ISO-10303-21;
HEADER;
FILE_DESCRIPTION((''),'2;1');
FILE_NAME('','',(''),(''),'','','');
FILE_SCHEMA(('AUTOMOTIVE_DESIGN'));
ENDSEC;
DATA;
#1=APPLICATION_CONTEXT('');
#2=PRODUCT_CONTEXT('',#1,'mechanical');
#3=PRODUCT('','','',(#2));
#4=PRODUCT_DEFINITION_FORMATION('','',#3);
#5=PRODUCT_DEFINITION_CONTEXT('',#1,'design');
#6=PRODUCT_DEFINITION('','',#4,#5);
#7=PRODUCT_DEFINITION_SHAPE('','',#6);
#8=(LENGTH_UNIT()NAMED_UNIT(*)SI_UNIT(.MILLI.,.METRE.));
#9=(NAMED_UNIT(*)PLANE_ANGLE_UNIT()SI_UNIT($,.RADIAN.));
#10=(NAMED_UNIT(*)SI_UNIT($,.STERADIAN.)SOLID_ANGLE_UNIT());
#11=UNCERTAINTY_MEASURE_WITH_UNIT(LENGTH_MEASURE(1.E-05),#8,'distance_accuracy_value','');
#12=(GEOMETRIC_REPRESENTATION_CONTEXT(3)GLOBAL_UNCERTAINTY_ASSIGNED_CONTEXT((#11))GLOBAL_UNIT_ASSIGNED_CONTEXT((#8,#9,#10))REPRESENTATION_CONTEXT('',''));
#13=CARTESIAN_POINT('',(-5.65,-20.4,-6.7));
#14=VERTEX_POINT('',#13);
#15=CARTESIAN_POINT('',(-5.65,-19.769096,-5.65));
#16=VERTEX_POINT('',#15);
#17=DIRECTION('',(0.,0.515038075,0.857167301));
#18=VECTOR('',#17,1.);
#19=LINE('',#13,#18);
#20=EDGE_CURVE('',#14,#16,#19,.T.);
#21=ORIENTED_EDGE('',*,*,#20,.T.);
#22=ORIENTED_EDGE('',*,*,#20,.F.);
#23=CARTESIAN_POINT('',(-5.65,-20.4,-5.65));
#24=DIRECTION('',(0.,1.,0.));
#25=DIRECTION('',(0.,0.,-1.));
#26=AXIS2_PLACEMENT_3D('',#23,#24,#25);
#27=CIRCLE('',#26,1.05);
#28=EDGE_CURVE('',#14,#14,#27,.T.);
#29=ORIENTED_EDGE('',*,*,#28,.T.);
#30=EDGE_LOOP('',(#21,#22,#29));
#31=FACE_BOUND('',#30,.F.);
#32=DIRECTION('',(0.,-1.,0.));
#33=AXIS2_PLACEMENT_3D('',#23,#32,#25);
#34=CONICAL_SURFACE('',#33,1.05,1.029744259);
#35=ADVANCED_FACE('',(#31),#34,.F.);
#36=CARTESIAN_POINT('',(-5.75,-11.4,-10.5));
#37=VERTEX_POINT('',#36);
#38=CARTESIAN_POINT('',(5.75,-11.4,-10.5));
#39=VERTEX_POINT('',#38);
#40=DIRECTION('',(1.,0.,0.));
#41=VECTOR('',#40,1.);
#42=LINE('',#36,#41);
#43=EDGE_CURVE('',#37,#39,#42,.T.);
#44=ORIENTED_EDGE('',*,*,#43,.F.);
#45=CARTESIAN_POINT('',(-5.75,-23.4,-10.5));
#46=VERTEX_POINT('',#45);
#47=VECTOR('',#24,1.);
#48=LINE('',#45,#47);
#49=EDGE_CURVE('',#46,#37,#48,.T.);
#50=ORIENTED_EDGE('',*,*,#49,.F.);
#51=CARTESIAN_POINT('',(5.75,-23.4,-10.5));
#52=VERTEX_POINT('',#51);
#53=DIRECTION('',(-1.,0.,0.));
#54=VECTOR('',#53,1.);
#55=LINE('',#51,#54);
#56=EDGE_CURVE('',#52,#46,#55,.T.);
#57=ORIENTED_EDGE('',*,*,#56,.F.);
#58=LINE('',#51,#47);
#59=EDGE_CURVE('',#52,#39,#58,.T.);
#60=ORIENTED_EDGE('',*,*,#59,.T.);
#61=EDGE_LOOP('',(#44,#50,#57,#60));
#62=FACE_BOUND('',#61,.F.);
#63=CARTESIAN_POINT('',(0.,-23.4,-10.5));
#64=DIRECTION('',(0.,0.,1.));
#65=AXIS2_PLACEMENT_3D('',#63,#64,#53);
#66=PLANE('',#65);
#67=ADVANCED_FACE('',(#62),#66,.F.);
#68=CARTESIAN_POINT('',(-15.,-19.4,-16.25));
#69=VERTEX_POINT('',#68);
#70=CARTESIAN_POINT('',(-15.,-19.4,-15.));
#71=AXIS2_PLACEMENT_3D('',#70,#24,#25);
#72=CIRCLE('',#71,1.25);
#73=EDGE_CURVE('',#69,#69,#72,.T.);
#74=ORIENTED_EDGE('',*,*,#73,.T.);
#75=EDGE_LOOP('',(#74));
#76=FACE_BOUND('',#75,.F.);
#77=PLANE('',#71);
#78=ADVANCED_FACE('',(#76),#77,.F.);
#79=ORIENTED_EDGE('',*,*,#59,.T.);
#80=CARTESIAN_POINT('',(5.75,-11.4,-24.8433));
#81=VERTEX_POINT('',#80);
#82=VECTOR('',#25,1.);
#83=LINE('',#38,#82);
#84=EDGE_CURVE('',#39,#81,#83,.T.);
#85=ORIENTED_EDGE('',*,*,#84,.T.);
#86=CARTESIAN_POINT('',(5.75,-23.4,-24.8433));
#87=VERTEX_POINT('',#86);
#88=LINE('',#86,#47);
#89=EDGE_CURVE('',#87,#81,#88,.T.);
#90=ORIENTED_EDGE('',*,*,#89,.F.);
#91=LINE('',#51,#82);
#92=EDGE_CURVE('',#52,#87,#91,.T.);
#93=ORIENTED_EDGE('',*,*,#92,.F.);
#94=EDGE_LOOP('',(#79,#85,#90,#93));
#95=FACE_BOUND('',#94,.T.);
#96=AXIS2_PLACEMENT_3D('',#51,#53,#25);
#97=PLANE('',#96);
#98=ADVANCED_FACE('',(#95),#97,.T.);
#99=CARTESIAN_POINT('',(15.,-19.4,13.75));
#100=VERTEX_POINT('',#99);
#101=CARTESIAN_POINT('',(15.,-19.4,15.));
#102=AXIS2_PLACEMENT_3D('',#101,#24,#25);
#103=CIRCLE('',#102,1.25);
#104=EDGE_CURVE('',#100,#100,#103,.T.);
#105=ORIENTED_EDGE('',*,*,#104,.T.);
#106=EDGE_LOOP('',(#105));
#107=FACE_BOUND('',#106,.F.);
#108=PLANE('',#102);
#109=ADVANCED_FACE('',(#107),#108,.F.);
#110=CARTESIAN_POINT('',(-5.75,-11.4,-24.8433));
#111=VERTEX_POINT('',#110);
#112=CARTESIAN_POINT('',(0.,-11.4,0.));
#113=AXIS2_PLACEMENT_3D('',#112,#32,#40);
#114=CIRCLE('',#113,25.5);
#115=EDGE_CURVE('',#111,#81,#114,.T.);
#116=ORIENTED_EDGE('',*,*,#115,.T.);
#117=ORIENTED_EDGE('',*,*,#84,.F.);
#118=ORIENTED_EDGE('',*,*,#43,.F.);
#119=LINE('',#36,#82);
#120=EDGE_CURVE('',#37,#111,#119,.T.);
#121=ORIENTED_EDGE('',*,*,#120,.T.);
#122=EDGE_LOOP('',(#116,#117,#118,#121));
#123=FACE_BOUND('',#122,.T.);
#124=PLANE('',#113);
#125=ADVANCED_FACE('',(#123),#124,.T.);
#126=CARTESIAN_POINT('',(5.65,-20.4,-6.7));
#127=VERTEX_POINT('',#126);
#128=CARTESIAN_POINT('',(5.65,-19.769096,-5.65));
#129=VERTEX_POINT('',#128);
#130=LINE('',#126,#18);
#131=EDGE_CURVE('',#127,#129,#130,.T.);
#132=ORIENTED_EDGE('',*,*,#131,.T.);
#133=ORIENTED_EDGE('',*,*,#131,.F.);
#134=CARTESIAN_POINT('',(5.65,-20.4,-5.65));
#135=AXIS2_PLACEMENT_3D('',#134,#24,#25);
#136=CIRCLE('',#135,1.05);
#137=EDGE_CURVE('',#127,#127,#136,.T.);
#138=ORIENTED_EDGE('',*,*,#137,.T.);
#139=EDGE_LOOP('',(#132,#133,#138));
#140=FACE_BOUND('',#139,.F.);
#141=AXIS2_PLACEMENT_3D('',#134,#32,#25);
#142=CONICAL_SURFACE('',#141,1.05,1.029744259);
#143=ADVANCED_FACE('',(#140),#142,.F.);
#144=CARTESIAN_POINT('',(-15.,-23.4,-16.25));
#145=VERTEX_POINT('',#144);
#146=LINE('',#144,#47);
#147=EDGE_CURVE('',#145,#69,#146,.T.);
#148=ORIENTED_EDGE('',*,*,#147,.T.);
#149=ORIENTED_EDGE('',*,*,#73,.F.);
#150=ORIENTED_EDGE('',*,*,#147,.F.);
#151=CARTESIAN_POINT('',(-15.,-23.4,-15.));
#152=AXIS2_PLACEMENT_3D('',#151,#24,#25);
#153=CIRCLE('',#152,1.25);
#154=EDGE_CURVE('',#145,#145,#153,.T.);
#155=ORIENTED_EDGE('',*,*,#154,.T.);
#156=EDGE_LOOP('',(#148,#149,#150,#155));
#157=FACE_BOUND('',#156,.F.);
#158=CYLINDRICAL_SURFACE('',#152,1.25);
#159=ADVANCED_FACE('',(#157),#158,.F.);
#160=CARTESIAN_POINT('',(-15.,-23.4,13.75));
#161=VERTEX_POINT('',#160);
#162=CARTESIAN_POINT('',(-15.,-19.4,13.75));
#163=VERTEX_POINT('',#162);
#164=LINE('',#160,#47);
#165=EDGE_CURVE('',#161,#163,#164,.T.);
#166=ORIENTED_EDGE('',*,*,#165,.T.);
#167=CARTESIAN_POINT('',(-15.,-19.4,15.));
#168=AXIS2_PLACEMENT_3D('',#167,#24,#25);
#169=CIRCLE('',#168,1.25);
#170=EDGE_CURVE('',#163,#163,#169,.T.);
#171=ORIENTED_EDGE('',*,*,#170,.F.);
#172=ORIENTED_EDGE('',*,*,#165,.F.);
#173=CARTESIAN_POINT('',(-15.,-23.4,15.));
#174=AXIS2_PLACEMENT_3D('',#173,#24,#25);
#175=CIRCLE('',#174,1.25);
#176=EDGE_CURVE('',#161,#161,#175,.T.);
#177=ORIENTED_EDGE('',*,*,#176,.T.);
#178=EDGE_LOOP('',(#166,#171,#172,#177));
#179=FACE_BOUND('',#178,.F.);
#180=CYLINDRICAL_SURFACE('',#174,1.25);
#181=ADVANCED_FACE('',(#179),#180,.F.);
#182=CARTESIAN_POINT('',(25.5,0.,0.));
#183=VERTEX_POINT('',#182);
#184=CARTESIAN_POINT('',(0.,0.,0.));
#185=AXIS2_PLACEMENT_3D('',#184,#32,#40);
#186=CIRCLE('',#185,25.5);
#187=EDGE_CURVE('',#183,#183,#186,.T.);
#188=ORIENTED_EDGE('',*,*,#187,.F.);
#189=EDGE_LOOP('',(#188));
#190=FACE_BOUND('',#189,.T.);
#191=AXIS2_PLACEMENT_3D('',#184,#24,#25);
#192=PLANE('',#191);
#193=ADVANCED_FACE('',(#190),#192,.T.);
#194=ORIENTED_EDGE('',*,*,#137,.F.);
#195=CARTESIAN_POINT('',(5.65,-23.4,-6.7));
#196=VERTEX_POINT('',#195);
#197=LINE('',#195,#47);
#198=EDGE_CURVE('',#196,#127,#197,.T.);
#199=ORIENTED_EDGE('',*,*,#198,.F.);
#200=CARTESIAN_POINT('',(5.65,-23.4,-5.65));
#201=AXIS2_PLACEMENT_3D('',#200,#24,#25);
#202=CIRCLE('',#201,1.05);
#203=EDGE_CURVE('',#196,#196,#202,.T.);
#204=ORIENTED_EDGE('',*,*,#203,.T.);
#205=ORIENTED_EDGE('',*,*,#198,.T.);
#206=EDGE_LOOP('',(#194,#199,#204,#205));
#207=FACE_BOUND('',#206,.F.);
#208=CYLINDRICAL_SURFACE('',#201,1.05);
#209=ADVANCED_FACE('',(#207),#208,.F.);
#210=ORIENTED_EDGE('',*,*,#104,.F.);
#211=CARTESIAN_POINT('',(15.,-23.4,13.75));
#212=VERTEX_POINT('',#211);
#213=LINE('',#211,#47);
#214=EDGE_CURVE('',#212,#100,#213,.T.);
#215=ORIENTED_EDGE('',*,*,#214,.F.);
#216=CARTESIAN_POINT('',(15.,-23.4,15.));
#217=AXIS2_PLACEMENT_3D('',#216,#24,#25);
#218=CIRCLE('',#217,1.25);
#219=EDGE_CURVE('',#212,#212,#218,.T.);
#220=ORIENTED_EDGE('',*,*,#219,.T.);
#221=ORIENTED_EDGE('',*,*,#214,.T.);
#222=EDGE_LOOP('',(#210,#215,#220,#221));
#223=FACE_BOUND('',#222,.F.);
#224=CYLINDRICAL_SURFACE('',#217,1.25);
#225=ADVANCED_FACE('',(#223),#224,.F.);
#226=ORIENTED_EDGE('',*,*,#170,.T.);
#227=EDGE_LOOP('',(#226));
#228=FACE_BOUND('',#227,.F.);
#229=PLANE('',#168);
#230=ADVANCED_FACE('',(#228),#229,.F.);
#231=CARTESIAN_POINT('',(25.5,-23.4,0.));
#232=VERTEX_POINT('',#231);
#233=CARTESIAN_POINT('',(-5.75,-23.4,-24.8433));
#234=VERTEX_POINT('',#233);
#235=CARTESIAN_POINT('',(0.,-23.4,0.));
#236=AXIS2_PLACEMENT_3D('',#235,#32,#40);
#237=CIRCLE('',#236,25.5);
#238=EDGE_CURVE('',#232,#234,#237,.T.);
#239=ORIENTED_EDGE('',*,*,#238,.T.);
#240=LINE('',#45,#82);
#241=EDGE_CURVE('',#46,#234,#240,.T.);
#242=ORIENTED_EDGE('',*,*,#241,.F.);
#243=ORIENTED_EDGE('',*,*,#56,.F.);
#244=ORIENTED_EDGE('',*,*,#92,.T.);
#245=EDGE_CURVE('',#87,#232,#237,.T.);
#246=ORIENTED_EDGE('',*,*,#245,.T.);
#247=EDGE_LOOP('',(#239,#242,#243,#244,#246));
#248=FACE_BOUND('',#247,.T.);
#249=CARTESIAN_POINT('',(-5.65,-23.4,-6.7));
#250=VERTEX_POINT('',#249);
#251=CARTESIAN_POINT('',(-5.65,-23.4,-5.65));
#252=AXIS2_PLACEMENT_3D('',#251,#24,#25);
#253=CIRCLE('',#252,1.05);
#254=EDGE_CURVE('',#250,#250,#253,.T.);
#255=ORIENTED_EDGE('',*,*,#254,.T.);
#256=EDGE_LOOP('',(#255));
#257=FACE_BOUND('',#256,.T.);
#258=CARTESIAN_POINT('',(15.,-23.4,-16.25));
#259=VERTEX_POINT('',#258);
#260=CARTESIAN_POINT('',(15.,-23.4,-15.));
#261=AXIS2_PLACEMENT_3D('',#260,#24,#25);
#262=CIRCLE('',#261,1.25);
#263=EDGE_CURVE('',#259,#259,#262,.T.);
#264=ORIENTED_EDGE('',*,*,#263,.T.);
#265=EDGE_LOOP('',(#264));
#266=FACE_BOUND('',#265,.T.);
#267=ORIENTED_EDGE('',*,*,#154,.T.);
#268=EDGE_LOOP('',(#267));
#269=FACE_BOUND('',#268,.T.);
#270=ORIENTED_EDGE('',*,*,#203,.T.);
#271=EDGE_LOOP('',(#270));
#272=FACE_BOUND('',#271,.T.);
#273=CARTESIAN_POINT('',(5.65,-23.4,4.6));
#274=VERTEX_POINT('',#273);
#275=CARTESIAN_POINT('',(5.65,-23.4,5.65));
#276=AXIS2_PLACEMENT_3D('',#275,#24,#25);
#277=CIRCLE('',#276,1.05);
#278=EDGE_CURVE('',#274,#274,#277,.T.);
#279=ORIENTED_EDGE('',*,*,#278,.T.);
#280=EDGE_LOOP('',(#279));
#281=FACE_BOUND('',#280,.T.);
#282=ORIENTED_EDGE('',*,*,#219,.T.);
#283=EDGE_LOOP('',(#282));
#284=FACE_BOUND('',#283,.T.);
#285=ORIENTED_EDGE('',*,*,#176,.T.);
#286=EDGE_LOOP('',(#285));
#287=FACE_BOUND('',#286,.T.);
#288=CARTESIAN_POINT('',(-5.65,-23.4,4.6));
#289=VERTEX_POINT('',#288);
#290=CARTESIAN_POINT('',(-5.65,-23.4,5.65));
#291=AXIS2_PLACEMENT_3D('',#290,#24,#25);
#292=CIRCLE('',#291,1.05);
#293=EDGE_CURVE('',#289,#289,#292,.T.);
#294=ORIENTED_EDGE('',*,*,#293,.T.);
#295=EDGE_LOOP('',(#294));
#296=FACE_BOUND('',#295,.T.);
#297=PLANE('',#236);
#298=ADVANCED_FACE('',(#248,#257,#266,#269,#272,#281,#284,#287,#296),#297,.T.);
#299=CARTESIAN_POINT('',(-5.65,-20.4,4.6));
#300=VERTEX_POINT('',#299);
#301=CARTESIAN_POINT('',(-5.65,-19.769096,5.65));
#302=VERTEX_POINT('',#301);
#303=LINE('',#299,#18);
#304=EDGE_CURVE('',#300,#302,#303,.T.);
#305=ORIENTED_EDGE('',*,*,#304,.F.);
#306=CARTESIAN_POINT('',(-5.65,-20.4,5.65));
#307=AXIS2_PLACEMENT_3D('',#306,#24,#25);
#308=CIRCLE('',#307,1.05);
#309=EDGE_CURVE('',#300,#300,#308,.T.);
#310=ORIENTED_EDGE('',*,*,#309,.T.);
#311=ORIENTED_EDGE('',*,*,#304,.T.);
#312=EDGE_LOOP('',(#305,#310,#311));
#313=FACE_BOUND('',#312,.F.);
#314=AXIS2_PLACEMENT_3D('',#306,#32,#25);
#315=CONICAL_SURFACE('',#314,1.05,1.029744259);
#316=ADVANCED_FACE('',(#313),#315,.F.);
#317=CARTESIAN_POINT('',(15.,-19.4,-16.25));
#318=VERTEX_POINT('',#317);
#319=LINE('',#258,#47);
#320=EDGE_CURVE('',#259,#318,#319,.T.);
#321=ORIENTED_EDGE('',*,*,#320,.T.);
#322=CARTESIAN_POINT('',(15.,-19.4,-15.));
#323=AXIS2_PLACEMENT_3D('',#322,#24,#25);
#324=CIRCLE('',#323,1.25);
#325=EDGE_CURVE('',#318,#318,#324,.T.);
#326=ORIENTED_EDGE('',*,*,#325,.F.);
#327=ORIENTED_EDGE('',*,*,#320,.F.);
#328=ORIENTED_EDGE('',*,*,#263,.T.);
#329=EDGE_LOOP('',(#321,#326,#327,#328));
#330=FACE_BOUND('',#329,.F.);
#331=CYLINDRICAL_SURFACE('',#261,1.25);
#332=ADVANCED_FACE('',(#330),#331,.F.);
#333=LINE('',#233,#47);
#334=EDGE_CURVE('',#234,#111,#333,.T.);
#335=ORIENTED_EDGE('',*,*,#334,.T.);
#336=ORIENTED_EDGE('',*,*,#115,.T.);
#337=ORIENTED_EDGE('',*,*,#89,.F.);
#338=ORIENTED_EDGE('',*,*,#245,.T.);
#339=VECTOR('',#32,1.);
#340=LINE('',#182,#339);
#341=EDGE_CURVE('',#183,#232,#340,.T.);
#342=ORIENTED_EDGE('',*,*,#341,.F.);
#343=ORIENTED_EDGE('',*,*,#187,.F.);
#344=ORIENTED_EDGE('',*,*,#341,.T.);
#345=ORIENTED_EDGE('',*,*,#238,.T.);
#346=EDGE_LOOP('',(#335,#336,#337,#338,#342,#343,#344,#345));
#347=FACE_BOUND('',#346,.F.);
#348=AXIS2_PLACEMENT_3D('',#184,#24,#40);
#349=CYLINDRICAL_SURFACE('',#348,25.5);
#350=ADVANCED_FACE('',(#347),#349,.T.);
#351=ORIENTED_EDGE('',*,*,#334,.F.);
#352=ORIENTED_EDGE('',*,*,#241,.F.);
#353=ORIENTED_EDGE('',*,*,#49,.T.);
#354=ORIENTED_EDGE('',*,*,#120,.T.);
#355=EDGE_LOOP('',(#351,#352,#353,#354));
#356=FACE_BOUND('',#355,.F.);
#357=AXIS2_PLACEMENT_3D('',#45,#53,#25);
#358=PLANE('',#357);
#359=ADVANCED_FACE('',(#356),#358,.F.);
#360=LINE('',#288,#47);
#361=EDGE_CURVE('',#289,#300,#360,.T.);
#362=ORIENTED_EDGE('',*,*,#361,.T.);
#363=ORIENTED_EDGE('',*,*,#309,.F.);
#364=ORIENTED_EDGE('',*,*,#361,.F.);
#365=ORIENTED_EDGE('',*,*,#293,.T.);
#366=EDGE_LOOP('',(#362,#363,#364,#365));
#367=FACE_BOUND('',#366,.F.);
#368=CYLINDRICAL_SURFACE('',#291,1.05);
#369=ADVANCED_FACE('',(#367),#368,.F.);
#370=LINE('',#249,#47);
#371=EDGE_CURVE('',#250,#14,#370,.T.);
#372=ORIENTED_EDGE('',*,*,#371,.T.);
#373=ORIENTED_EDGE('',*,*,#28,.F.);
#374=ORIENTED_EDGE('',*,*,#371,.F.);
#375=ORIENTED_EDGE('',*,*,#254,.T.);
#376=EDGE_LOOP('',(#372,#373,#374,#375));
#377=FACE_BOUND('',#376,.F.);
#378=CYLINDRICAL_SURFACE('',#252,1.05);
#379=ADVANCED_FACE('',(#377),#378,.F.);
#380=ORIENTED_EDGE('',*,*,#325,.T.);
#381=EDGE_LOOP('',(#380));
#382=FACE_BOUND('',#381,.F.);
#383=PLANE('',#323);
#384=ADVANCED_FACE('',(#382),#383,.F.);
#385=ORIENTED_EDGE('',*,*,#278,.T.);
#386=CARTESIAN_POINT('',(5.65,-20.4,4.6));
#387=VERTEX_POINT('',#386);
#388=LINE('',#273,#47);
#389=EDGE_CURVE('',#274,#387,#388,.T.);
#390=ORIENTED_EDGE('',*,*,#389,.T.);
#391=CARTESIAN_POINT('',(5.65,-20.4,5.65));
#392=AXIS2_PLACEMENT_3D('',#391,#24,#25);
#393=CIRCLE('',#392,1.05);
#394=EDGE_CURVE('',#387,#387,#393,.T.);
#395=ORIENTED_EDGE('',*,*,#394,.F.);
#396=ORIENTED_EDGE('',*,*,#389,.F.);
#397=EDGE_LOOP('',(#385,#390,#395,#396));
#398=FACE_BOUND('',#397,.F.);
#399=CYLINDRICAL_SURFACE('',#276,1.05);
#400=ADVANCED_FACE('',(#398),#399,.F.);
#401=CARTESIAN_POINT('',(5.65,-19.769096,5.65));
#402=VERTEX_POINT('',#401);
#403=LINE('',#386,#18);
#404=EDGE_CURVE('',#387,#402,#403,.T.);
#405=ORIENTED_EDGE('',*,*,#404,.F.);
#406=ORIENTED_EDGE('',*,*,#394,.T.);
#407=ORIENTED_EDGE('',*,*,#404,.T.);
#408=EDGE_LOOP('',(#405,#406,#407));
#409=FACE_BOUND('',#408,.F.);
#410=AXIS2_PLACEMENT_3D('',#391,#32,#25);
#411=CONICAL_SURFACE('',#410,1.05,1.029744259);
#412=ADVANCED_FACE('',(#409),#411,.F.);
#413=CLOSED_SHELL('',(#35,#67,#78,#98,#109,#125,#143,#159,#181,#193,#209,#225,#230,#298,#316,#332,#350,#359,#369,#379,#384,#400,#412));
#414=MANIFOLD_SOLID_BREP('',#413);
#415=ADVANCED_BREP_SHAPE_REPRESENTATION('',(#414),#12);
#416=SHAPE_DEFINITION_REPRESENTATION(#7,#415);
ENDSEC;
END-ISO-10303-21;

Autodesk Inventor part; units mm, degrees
ref_plane "YZ Plane" through (0, 0, 0) normal (1, 0, 0) x (0, 1, 0)
sketch "Sketch1" plane through (0, 0, 0) normal (0, 1, 0) x (-1, 0, 0)
  circle A0 centre (0, 0) radius 32.5
  dimension "d0" = 65
extrude "Extrusion1" add sketch "Sketch1" along normal blind 38.5
sketch "Sketch2" plane through (0, 0, 0) normal (0, -1, 0) x (1, 0, 0)
  circle A0 centre (0, 0) radius 25.5
  dimension "d3" = 51
extrude "Extrusion2" add sketch "Sketch2" along normal blind 23.4
chamfer "Chamfer1" distance 3 angle 45 2 edges at (32.5, 38.5, 0) (32.5, 0, 0)
sketch "Sketch3" plane through (0, -23.4, 0) normal (0, -1, 0) x (1, 0, 0)
  line L0 (0, 0) -> (0, -10.5) construction
  circle A0 centre (0, 0) radius 25.5 projected
  line L1 (0, -10.5) -> (5.75, -10.5)
  line L2 (5.75, -10.5) -> (5.75, -24.8433)
  line L3 (0, -10.5) -> (-5.75, -10.5)
  line L4 (-5.75, -10.5) -> (-5.75, -24.8433)
  line L5 (5.75, -24.8433) -> (-5.75, -24.8433)
  line L6 (-15, 15) -> (15, 15) construction
  line L7 (15, 15) -> (15, -15) construction
  line L8 (15, -15) -> (-15, -15) construction
  line L9 (-15, -15) -> (-15, 15) construction
  line L10 (-15, 15) -> (15, -15) construction
  line L11 (15, 15) -> (-15, -15) construction
  line L12 (5.65, 5.65) -> (-5.65, 5.65) construction
  line L13 (-5.65, 5.65) -> (-5.65, -5.65) construction
  line L14 (-5.65, -5.65) -> (5.65, -5.65) construction
  line L15 (5.65, -5.65) -> (5.65, 5.65) construction
  line L16 (5.65, 5.65) -> (-5.65, -5.65) construction
  line L17 (-5.65, 5.65) -> (5.65, -5.65) construction
  dimension "d10" = 10.5
  dimension "d14" = 5.75
  dimension "d15" = 5.75
  dimension "d16" = 30
  dimension "d17" = 30
  dimension "d35" = 11.3
  dimension "d36" = 11.3
hole "Hole1" at (15, -23.4, -15) at (-15, -23.4, -15) at (15, -23.4, 15) at (-15, -23.4, 15) direction (0, 1, 0) diameter 2.5 depth 4
thread "Thread1" size "M2.5x0.45" class "6H" standard "ANSI Metric M Profile" full length
thread "Thread2" size "M2.5x0.45" class "6H" standard "ANSI Metric M Profile" full length
thread "Thread3" size "M2.5x0.45" class "6H" standard "ANSI Metric M Profile" full length
thread "Thread4" size "M2.5x0.45" class "6H" standard "ANSI Metric M Profile" full length
extrude "Extrusion3" cut sketch "Sketch3" against normal blind 12 contours L5 A0 | L4 L3 L1 L2 L5
hole "Hole2" at (5.65, -23.4, 5.65) at (5.65, -23.4, -5.65) at (-5.65, -23.4, 5.65) at (-5.65, -23.4, -5.65) direction (0, 1, 0) diameter 2.1 depth 3 tip angle 118
thread "Thread5" size "M2.5x0.45" class "6H" standard "ANSI Metric M Profile" full length
thread "Thread6" size "M2.2x0.45" class "6H" standard "ANSI Metric M Profile" full length
thread "Thread7" size "M2.2x0.45" class "6H" standard "ANSI Metric M Profile" full length
thread "Thread8" size "M2.2x0.45" class "6H" standard "ANSI Metric M Profile" full length
ref_plane "Work Plane1" through (0, 0, -32.5) normal (0, 0, -1) x (-1, 0, 0)
sketch "Sketch4" plane through (0, 0, -32.5) normal (0, 0, -1) x (-1, 0, 0)
  line L0 (-25.5, -23.4) -> (25.5, -23.4) projected
  line L1 (-32.5, 3) -> (32.5, 3) projected
  line L2 (32.5, 35.5) -> (-32.5, 35.5) projected
  line L3 (0, -23.4) -> (0, 18.1) construction
  line L4 (32.5, 3) -> (32.5, 35.5) projected
  line L5 (-32.5, 3) -> (-32.5, 35.5) projected
  line L6 (-32.5, 17.6) -> (32.5, 17.6)
  line L7 (32.5, 17.6) -> (32.5, 18.6)
  line L8 (32.5, 18.6) -> (-32.5, 18.6)
  line L9 (-32.5, 18.6) -> (-32.5, 17.6)
  line L10 (-32.5, 17.6) -> (32.5, 18.6) construction
  line L11 (32.5, 17.6) -> (-32.5, 18.6) construction
  line L12 (-20, 18.1) -> (20, 18.1) construction
  line L13 (-20, 9.1) -> (20, 9.1)
  line L14 (20, 27.1) -> (-20, 27.1)
  arc A0 (-20, 27.1) -> (-20, 9.1) centre (-20, 18.1) ccw
  arc A1 (20, 9.1) -> (20, 27.1) centre (20, 18.1) ccw
  line L15 (0, 18.1) -> (-15, 18.1)
  line L16 (0, 18.1) -> (15, 18.1)
  circle A2 centre (-15, 18.1) radius 6.35
  circle A3 centre (15, 18.1) radius 6.35
  line L17 (-20, 25.6) -> (20, 25.6)
  arc A4 (20, 10.6) -> (20, 25.6) centre (20, 18.1) ccw
  line L18 (20, 10.6) -> (-20, 10.6)
  arc A5 (-20, 25.6) -> (-20, 10.6) centre (-20, 18.1) ccw
  point P0 (0, 0)
  point P1 (-5.75, -23.4)
  point P2 (5.75, -23.4)
  dimension "d52" = 41.5
  dimension "d53" = 1
  dimension "d54" = 20
  dimension "d55" = 18
  dimension "d56" = 15
  dimension "d57" = 15
  dimension "d58" = 12.7
  dimension "d59" = 12.7
  dimension "d64" = 1.5
extrude "Extrusion5" cut sketch "Sketch4" against normal blind 15 contours A2 L8 L6 | L6 A2 | A3 L6 | L6 A3 L8 | A2 L8 | L8 A3
sketch "Sketch5" plane through (0, 0, 0) normal (1, 0, 0) x (0, 1, 0)
  line L0 (3, -32.5) -> (35.5, -32.5) projected
  line L1 (18.6, -33) -> (17.6, -33)
  line L2 (17.6, -33) -> (17.6, -32)
  line L3 (17.6, -32) -> (18.6, -32)
  line L4 (18.6, -32) -> (18.6, -33)
  line L5 (18.6, -33) -> (17.6, -32) construction
  line L6 (17.6, -33) -> (18.6, -32) construction
  line L7 (-35.78, 0) -> (50.88, 0) projected
  point P0 (0, 0)
  point P1 (18.1, -32.5)
  point P2 (18.1, -32.5)
  point P3 (18.1, -32.5)
  dimension "d67" = 1
  dimension "d68" = 1
revolve "Revolution1" cut sketch "Sketch5" angle 360 about axis through (0, -10, 0) along (0, 1, 0)
ref_plane "Work Plane2" through (0, 0, 0) normal (0, -1, 0) x (1, 0, 0)
split "Split1" plane through (0, 0, 0) removes the side toward (0, 1, 0)
sketch "Sketch6" plane through (0, 0, 0) normal (0, 1, 0) x (1, 0, 0)
  point P0 (0, 0)
properties part number "SweepV0.991_BASE_Rev.1" material "LCP Plastic"
